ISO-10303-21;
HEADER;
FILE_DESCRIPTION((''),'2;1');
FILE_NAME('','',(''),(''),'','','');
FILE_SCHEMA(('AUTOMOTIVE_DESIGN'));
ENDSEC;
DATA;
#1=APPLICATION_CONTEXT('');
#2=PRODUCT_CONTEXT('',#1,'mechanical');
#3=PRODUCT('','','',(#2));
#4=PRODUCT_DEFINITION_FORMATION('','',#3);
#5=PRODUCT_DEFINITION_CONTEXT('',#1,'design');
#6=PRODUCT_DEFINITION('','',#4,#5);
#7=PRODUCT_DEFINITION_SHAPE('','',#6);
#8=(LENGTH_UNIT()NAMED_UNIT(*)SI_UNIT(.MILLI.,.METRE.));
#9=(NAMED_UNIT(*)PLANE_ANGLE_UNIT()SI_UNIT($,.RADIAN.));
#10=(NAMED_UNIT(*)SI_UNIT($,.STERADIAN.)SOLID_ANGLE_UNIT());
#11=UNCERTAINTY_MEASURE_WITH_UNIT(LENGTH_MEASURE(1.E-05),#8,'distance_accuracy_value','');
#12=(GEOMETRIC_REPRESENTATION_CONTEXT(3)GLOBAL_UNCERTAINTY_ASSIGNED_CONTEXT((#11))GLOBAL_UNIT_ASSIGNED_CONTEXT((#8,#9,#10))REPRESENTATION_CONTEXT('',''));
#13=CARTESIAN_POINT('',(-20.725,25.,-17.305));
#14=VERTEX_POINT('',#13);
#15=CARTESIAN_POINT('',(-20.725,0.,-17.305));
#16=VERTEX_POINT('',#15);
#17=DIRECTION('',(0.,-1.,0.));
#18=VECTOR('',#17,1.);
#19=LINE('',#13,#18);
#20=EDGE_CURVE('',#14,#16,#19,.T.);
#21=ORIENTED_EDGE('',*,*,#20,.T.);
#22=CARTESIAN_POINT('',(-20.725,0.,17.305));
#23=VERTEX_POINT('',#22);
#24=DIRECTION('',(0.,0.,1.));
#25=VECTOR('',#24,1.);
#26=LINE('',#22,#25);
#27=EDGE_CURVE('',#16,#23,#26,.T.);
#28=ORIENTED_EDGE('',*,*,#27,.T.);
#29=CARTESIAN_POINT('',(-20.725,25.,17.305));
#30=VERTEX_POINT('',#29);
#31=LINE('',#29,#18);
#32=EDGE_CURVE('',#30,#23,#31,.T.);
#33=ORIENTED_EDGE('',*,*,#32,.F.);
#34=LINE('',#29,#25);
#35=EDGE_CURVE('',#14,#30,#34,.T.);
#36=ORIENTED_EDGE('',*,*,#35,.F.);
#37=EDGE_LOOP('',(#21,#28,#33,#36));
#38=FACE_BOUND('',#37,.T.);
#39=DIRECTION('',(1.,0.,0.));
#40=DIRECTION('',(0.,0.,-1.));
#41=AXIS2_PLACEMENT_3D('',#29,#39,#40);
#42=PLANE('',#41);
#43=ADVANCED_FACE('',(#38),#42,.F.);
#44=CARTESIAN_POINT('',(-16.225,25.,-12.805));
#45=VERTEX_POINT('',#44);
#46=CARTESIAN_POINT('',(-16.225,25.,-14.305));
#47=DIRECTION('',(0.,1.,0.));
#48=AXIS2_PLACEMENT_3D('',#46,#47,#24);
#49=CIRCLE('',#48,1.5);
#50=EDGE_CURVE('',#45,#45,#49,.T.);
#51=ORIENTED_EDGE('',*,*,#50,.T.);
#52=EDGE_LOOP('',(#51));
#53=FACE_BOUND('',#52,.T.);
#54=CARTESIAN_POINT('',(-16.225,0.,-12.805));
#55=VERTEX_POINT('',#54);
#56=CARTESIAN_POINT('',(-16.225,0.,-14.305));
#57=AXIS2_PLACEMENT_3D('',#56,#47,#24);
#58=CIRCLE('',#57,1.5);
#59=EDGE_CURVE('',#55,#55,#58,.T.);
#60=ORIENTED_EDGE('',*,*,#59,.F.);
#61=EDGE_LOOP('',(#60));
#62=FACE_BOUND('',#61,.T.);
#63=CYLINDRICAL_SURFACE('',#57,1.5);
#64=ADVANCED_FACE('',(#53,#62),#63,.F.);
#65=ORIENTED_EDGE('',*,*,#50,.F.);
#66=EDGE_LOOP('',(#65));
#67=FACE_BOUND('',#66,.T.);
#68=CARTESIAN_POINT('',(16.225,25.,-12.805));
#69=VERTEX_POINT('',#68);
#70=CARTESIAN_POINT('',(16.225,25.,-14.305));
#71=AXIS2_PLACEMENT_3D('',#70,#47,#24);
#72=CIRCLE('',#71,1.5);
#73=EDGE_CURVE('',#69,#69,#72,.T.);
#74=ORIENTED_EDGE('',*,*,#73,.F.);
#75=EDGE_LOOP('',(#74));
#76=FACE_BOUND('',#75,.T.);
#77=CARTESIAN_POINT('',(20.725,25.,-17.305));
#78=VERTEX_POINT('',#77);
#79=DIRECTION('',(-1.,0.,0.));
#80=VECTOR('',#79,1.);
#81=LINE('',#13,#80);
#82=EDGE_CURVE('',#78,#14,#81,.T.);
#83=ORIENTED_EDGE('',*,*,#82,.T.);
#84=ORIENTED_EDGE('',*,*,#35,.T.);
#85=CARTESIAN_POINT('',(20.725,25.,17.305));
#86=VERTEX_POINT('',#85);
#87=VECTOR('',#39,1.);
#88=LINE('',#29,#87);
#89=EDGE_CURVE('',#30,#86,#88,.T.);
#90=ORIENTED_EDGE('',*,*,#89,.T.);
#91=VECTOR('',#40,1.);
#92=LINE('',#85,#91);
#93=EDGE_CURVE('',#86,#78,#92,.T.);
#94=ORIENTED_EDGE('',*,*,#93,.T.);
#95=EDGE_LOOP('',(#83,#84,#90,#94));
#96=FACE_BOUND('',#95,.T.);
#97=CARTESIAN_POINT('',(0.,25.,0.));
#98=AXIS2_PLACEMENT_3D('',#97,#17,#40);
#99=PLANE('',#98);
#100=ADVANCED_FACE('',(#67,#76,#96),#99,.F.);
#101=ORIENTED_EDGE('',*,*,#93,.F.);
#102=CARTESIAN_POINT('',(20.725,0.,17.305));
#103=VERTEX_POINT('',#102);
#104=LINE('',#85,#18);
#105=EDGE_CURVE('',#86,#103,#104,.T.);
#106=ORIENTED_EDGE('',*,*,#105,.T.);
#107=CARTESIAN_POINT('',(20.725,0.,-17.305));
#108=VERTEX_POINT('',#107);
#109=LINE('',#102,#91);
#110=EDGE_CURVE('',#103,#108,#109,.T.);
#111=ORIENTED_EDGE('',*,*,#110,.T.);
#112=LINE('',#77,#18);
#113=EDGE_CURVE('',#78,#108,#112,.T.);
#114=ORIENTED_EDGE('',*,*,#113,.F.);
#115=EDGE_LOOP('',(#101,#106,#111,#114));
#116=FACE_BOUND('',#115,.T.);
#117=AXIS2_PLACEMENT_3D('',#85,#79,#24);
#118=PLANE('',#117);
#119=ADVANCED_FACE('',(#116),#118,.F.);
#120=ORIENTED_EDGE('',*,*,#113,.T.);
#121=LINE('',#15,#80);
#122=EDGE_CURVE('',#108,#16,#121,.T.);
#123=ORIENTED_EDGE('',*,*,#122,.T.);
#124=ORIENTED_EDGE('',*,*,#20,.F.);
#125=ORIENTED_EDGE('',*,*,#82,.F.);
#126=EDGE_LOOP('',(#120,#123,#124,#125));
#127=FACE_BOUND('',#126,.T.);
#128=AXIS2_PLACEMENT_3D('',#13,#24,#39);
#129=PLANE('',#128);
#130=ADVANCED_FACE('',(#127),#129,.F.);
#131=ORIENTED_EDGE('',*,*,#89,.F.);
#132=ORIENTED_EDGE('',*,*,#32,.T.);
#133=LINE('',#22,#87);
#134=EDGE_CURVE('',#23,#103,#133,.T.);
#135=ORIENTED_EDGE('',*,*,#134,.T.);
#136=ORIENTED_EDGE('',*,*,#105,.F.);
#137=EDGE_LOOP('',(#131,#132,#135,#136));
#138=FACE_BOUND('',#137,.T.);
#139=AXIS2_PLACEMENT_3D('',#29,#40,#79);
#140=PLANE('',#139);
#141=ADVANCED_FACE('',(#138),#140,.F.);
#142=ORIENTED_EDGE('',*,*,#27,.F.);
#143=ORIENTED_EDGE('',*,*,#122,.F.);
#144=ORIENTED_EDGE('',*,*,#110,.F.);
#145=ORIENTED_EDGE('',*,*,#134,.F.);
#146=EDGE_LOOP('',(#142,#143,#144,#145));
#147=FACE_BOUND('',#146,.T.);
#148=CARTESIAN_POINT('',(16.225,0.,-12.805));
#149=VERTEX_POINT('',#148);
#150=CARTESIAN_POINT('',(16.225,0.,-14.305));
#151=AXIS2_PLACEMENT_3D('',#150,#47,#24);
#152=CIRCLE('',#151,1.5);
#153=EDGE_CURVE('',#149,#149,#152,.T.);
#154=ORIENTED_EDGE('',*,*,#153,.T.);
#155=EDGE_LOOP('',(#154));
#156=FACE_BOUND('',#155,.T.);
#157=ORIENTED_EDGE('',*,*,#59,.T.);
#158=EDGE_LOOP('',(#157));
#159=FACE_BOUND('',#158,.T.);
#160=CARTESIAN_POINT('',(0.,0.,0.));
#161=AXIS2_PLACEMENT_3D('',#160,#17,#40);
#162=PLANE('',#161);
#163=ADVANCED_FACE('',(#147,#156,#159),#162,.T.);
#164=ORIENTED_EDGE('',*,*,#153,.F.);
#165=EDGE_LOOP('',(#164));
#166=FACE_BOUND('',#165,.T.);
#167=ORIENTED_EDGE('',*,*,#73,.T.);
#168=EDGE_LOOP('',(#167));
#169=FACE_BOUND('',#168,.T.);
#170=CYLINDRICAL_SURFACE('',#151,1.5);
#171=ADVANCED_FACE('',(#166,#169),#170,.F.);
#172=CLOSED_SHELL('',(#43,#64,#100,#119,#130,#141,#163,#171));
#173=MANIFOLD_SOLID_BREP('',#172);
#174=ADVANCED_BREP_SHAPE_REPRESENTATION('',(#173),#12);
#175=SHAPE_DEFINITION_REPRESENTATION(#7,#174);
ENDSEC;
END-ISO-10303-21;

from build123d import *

# Parameters (mm, degrees)
SKETCH1_W           = 41.45
SKETCH1_H           = 34.61
BOSS_EXTRUDE1_DEPTH = 25
SKETCH2_R           = 1.5
CUT_EXTRUDE1_DEPTH  = 25


with BuildPart() as part:
    # Sketch1 → Boss-Extrude1 (new body)
    with BuildSketch(Plane(origin=(0, 0, 0), x_dir=(1, 0, 0), z_dir=(0, 1, 0))):
        Rectangle(SKETCH1_W, SKETCH1_H)
    extrude(amount=BOSS_EXTRUDE1_DEPTH)

    # Sketch2 → Cut-Extrude1 (cut)
    with BuildSketch(Plane(origin=(0, 25, 0), x_dir=(1, 0, 0), z_dir=(0, 1, 0))):
        with Locations(Location((-16.225, 14.305, 0), (0, 0, 270))):
            Circle(SKETCH2_R)
        with Locations(Location((16.225, 14.305, 0), (0, 0, 270))):
            Circle(SKETCH2_R)
    extrude(amount=-CUT_EXTRUDE1_DEPTH, mode=Mode.SUBTRACT)


solid = part.part
